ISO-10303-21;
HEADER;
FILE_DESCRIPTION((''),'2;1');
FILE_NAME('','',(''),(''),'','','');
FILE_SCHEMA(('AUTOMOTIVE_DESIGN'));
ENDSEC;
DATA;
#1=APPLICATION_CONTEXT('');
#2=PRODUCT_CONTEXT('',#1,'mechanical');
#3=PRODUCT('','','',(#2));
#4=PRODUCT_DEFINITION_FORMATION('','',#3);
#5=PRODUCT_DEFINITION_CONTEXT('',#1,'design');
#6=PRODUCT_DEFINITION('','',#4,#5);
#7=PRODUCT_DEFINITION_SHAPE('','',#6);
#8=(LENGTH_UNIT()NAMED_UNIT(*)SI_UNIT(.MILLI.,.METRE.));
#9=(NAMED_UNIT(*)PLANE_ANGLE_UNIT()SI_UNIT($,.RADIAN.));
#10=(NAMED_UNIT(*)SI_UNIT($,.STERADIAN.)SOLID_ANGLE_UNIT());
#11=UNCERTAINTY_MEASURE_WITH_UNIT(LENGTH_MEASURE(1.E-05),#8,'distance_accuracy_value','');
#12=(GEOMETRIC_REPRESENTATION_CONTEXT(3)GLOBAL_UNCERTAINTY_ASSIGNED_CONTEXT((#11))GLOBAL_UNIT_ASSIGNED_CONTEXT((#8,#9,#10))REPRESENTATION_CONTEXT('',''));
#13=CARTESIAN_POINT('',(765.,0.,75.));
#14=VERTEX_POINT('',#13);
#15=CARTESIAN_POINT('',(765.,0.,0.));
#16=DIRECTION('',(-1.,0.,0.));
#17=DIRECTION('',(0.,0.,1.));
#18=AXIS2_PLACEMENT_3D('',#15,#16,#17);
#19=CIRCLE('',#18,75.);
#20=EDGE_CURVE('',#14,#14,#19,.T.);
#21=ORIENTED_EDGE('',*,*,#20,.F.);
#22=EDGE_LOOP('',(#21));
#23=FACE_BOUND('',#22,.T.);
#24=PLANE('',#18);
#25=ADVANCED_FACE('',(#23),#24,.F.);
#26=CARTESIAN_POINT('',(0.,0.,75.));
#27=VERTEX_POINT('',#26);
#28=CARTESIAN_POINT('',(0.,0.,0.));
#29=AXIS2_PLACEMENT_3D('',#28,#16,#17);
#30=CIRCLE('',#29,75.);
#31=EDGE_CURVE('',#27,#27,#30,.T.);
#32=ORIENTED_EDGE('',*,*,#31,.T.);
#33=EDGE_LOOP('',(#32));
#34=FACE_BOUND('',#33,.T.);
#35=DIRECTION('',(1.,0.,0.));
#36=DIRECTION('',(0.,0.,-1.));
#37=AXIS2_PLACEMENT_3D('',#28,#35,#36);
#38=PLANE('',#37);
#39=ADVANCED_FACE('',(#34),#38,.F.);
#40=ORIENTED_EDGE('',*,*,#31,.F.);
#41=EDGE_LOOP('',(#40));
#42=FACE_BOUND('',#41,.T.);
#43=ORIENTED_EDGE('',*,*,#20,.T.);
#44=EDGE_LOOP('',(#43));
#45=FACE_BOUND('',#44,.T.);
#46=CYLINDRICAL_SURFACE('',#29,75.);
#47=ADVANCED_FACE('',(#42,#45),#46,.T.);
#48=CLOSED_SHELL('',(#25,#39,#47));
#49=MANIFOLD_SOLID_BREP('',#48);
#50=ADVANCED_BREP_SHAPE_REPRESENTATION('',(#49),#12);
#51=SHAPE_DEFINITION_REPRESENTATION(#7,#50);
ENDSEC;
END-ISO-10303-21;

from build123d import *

# Parameters (mm, degrees)
SKETCH1_W = 765
SKETCH1_H = 75


with BuildPart() as part:
    # Sketch1 → Revolve1 (revolve)
    with BuildSketch(Plane.XY):
        with Locations((382.5, 37.5)):
            Rectangle(SKETCH1_W, SKETCH1_H)
    revolve(axis=Axis((0, 0, 0), (1, 0, 0)))


solid = part.part
